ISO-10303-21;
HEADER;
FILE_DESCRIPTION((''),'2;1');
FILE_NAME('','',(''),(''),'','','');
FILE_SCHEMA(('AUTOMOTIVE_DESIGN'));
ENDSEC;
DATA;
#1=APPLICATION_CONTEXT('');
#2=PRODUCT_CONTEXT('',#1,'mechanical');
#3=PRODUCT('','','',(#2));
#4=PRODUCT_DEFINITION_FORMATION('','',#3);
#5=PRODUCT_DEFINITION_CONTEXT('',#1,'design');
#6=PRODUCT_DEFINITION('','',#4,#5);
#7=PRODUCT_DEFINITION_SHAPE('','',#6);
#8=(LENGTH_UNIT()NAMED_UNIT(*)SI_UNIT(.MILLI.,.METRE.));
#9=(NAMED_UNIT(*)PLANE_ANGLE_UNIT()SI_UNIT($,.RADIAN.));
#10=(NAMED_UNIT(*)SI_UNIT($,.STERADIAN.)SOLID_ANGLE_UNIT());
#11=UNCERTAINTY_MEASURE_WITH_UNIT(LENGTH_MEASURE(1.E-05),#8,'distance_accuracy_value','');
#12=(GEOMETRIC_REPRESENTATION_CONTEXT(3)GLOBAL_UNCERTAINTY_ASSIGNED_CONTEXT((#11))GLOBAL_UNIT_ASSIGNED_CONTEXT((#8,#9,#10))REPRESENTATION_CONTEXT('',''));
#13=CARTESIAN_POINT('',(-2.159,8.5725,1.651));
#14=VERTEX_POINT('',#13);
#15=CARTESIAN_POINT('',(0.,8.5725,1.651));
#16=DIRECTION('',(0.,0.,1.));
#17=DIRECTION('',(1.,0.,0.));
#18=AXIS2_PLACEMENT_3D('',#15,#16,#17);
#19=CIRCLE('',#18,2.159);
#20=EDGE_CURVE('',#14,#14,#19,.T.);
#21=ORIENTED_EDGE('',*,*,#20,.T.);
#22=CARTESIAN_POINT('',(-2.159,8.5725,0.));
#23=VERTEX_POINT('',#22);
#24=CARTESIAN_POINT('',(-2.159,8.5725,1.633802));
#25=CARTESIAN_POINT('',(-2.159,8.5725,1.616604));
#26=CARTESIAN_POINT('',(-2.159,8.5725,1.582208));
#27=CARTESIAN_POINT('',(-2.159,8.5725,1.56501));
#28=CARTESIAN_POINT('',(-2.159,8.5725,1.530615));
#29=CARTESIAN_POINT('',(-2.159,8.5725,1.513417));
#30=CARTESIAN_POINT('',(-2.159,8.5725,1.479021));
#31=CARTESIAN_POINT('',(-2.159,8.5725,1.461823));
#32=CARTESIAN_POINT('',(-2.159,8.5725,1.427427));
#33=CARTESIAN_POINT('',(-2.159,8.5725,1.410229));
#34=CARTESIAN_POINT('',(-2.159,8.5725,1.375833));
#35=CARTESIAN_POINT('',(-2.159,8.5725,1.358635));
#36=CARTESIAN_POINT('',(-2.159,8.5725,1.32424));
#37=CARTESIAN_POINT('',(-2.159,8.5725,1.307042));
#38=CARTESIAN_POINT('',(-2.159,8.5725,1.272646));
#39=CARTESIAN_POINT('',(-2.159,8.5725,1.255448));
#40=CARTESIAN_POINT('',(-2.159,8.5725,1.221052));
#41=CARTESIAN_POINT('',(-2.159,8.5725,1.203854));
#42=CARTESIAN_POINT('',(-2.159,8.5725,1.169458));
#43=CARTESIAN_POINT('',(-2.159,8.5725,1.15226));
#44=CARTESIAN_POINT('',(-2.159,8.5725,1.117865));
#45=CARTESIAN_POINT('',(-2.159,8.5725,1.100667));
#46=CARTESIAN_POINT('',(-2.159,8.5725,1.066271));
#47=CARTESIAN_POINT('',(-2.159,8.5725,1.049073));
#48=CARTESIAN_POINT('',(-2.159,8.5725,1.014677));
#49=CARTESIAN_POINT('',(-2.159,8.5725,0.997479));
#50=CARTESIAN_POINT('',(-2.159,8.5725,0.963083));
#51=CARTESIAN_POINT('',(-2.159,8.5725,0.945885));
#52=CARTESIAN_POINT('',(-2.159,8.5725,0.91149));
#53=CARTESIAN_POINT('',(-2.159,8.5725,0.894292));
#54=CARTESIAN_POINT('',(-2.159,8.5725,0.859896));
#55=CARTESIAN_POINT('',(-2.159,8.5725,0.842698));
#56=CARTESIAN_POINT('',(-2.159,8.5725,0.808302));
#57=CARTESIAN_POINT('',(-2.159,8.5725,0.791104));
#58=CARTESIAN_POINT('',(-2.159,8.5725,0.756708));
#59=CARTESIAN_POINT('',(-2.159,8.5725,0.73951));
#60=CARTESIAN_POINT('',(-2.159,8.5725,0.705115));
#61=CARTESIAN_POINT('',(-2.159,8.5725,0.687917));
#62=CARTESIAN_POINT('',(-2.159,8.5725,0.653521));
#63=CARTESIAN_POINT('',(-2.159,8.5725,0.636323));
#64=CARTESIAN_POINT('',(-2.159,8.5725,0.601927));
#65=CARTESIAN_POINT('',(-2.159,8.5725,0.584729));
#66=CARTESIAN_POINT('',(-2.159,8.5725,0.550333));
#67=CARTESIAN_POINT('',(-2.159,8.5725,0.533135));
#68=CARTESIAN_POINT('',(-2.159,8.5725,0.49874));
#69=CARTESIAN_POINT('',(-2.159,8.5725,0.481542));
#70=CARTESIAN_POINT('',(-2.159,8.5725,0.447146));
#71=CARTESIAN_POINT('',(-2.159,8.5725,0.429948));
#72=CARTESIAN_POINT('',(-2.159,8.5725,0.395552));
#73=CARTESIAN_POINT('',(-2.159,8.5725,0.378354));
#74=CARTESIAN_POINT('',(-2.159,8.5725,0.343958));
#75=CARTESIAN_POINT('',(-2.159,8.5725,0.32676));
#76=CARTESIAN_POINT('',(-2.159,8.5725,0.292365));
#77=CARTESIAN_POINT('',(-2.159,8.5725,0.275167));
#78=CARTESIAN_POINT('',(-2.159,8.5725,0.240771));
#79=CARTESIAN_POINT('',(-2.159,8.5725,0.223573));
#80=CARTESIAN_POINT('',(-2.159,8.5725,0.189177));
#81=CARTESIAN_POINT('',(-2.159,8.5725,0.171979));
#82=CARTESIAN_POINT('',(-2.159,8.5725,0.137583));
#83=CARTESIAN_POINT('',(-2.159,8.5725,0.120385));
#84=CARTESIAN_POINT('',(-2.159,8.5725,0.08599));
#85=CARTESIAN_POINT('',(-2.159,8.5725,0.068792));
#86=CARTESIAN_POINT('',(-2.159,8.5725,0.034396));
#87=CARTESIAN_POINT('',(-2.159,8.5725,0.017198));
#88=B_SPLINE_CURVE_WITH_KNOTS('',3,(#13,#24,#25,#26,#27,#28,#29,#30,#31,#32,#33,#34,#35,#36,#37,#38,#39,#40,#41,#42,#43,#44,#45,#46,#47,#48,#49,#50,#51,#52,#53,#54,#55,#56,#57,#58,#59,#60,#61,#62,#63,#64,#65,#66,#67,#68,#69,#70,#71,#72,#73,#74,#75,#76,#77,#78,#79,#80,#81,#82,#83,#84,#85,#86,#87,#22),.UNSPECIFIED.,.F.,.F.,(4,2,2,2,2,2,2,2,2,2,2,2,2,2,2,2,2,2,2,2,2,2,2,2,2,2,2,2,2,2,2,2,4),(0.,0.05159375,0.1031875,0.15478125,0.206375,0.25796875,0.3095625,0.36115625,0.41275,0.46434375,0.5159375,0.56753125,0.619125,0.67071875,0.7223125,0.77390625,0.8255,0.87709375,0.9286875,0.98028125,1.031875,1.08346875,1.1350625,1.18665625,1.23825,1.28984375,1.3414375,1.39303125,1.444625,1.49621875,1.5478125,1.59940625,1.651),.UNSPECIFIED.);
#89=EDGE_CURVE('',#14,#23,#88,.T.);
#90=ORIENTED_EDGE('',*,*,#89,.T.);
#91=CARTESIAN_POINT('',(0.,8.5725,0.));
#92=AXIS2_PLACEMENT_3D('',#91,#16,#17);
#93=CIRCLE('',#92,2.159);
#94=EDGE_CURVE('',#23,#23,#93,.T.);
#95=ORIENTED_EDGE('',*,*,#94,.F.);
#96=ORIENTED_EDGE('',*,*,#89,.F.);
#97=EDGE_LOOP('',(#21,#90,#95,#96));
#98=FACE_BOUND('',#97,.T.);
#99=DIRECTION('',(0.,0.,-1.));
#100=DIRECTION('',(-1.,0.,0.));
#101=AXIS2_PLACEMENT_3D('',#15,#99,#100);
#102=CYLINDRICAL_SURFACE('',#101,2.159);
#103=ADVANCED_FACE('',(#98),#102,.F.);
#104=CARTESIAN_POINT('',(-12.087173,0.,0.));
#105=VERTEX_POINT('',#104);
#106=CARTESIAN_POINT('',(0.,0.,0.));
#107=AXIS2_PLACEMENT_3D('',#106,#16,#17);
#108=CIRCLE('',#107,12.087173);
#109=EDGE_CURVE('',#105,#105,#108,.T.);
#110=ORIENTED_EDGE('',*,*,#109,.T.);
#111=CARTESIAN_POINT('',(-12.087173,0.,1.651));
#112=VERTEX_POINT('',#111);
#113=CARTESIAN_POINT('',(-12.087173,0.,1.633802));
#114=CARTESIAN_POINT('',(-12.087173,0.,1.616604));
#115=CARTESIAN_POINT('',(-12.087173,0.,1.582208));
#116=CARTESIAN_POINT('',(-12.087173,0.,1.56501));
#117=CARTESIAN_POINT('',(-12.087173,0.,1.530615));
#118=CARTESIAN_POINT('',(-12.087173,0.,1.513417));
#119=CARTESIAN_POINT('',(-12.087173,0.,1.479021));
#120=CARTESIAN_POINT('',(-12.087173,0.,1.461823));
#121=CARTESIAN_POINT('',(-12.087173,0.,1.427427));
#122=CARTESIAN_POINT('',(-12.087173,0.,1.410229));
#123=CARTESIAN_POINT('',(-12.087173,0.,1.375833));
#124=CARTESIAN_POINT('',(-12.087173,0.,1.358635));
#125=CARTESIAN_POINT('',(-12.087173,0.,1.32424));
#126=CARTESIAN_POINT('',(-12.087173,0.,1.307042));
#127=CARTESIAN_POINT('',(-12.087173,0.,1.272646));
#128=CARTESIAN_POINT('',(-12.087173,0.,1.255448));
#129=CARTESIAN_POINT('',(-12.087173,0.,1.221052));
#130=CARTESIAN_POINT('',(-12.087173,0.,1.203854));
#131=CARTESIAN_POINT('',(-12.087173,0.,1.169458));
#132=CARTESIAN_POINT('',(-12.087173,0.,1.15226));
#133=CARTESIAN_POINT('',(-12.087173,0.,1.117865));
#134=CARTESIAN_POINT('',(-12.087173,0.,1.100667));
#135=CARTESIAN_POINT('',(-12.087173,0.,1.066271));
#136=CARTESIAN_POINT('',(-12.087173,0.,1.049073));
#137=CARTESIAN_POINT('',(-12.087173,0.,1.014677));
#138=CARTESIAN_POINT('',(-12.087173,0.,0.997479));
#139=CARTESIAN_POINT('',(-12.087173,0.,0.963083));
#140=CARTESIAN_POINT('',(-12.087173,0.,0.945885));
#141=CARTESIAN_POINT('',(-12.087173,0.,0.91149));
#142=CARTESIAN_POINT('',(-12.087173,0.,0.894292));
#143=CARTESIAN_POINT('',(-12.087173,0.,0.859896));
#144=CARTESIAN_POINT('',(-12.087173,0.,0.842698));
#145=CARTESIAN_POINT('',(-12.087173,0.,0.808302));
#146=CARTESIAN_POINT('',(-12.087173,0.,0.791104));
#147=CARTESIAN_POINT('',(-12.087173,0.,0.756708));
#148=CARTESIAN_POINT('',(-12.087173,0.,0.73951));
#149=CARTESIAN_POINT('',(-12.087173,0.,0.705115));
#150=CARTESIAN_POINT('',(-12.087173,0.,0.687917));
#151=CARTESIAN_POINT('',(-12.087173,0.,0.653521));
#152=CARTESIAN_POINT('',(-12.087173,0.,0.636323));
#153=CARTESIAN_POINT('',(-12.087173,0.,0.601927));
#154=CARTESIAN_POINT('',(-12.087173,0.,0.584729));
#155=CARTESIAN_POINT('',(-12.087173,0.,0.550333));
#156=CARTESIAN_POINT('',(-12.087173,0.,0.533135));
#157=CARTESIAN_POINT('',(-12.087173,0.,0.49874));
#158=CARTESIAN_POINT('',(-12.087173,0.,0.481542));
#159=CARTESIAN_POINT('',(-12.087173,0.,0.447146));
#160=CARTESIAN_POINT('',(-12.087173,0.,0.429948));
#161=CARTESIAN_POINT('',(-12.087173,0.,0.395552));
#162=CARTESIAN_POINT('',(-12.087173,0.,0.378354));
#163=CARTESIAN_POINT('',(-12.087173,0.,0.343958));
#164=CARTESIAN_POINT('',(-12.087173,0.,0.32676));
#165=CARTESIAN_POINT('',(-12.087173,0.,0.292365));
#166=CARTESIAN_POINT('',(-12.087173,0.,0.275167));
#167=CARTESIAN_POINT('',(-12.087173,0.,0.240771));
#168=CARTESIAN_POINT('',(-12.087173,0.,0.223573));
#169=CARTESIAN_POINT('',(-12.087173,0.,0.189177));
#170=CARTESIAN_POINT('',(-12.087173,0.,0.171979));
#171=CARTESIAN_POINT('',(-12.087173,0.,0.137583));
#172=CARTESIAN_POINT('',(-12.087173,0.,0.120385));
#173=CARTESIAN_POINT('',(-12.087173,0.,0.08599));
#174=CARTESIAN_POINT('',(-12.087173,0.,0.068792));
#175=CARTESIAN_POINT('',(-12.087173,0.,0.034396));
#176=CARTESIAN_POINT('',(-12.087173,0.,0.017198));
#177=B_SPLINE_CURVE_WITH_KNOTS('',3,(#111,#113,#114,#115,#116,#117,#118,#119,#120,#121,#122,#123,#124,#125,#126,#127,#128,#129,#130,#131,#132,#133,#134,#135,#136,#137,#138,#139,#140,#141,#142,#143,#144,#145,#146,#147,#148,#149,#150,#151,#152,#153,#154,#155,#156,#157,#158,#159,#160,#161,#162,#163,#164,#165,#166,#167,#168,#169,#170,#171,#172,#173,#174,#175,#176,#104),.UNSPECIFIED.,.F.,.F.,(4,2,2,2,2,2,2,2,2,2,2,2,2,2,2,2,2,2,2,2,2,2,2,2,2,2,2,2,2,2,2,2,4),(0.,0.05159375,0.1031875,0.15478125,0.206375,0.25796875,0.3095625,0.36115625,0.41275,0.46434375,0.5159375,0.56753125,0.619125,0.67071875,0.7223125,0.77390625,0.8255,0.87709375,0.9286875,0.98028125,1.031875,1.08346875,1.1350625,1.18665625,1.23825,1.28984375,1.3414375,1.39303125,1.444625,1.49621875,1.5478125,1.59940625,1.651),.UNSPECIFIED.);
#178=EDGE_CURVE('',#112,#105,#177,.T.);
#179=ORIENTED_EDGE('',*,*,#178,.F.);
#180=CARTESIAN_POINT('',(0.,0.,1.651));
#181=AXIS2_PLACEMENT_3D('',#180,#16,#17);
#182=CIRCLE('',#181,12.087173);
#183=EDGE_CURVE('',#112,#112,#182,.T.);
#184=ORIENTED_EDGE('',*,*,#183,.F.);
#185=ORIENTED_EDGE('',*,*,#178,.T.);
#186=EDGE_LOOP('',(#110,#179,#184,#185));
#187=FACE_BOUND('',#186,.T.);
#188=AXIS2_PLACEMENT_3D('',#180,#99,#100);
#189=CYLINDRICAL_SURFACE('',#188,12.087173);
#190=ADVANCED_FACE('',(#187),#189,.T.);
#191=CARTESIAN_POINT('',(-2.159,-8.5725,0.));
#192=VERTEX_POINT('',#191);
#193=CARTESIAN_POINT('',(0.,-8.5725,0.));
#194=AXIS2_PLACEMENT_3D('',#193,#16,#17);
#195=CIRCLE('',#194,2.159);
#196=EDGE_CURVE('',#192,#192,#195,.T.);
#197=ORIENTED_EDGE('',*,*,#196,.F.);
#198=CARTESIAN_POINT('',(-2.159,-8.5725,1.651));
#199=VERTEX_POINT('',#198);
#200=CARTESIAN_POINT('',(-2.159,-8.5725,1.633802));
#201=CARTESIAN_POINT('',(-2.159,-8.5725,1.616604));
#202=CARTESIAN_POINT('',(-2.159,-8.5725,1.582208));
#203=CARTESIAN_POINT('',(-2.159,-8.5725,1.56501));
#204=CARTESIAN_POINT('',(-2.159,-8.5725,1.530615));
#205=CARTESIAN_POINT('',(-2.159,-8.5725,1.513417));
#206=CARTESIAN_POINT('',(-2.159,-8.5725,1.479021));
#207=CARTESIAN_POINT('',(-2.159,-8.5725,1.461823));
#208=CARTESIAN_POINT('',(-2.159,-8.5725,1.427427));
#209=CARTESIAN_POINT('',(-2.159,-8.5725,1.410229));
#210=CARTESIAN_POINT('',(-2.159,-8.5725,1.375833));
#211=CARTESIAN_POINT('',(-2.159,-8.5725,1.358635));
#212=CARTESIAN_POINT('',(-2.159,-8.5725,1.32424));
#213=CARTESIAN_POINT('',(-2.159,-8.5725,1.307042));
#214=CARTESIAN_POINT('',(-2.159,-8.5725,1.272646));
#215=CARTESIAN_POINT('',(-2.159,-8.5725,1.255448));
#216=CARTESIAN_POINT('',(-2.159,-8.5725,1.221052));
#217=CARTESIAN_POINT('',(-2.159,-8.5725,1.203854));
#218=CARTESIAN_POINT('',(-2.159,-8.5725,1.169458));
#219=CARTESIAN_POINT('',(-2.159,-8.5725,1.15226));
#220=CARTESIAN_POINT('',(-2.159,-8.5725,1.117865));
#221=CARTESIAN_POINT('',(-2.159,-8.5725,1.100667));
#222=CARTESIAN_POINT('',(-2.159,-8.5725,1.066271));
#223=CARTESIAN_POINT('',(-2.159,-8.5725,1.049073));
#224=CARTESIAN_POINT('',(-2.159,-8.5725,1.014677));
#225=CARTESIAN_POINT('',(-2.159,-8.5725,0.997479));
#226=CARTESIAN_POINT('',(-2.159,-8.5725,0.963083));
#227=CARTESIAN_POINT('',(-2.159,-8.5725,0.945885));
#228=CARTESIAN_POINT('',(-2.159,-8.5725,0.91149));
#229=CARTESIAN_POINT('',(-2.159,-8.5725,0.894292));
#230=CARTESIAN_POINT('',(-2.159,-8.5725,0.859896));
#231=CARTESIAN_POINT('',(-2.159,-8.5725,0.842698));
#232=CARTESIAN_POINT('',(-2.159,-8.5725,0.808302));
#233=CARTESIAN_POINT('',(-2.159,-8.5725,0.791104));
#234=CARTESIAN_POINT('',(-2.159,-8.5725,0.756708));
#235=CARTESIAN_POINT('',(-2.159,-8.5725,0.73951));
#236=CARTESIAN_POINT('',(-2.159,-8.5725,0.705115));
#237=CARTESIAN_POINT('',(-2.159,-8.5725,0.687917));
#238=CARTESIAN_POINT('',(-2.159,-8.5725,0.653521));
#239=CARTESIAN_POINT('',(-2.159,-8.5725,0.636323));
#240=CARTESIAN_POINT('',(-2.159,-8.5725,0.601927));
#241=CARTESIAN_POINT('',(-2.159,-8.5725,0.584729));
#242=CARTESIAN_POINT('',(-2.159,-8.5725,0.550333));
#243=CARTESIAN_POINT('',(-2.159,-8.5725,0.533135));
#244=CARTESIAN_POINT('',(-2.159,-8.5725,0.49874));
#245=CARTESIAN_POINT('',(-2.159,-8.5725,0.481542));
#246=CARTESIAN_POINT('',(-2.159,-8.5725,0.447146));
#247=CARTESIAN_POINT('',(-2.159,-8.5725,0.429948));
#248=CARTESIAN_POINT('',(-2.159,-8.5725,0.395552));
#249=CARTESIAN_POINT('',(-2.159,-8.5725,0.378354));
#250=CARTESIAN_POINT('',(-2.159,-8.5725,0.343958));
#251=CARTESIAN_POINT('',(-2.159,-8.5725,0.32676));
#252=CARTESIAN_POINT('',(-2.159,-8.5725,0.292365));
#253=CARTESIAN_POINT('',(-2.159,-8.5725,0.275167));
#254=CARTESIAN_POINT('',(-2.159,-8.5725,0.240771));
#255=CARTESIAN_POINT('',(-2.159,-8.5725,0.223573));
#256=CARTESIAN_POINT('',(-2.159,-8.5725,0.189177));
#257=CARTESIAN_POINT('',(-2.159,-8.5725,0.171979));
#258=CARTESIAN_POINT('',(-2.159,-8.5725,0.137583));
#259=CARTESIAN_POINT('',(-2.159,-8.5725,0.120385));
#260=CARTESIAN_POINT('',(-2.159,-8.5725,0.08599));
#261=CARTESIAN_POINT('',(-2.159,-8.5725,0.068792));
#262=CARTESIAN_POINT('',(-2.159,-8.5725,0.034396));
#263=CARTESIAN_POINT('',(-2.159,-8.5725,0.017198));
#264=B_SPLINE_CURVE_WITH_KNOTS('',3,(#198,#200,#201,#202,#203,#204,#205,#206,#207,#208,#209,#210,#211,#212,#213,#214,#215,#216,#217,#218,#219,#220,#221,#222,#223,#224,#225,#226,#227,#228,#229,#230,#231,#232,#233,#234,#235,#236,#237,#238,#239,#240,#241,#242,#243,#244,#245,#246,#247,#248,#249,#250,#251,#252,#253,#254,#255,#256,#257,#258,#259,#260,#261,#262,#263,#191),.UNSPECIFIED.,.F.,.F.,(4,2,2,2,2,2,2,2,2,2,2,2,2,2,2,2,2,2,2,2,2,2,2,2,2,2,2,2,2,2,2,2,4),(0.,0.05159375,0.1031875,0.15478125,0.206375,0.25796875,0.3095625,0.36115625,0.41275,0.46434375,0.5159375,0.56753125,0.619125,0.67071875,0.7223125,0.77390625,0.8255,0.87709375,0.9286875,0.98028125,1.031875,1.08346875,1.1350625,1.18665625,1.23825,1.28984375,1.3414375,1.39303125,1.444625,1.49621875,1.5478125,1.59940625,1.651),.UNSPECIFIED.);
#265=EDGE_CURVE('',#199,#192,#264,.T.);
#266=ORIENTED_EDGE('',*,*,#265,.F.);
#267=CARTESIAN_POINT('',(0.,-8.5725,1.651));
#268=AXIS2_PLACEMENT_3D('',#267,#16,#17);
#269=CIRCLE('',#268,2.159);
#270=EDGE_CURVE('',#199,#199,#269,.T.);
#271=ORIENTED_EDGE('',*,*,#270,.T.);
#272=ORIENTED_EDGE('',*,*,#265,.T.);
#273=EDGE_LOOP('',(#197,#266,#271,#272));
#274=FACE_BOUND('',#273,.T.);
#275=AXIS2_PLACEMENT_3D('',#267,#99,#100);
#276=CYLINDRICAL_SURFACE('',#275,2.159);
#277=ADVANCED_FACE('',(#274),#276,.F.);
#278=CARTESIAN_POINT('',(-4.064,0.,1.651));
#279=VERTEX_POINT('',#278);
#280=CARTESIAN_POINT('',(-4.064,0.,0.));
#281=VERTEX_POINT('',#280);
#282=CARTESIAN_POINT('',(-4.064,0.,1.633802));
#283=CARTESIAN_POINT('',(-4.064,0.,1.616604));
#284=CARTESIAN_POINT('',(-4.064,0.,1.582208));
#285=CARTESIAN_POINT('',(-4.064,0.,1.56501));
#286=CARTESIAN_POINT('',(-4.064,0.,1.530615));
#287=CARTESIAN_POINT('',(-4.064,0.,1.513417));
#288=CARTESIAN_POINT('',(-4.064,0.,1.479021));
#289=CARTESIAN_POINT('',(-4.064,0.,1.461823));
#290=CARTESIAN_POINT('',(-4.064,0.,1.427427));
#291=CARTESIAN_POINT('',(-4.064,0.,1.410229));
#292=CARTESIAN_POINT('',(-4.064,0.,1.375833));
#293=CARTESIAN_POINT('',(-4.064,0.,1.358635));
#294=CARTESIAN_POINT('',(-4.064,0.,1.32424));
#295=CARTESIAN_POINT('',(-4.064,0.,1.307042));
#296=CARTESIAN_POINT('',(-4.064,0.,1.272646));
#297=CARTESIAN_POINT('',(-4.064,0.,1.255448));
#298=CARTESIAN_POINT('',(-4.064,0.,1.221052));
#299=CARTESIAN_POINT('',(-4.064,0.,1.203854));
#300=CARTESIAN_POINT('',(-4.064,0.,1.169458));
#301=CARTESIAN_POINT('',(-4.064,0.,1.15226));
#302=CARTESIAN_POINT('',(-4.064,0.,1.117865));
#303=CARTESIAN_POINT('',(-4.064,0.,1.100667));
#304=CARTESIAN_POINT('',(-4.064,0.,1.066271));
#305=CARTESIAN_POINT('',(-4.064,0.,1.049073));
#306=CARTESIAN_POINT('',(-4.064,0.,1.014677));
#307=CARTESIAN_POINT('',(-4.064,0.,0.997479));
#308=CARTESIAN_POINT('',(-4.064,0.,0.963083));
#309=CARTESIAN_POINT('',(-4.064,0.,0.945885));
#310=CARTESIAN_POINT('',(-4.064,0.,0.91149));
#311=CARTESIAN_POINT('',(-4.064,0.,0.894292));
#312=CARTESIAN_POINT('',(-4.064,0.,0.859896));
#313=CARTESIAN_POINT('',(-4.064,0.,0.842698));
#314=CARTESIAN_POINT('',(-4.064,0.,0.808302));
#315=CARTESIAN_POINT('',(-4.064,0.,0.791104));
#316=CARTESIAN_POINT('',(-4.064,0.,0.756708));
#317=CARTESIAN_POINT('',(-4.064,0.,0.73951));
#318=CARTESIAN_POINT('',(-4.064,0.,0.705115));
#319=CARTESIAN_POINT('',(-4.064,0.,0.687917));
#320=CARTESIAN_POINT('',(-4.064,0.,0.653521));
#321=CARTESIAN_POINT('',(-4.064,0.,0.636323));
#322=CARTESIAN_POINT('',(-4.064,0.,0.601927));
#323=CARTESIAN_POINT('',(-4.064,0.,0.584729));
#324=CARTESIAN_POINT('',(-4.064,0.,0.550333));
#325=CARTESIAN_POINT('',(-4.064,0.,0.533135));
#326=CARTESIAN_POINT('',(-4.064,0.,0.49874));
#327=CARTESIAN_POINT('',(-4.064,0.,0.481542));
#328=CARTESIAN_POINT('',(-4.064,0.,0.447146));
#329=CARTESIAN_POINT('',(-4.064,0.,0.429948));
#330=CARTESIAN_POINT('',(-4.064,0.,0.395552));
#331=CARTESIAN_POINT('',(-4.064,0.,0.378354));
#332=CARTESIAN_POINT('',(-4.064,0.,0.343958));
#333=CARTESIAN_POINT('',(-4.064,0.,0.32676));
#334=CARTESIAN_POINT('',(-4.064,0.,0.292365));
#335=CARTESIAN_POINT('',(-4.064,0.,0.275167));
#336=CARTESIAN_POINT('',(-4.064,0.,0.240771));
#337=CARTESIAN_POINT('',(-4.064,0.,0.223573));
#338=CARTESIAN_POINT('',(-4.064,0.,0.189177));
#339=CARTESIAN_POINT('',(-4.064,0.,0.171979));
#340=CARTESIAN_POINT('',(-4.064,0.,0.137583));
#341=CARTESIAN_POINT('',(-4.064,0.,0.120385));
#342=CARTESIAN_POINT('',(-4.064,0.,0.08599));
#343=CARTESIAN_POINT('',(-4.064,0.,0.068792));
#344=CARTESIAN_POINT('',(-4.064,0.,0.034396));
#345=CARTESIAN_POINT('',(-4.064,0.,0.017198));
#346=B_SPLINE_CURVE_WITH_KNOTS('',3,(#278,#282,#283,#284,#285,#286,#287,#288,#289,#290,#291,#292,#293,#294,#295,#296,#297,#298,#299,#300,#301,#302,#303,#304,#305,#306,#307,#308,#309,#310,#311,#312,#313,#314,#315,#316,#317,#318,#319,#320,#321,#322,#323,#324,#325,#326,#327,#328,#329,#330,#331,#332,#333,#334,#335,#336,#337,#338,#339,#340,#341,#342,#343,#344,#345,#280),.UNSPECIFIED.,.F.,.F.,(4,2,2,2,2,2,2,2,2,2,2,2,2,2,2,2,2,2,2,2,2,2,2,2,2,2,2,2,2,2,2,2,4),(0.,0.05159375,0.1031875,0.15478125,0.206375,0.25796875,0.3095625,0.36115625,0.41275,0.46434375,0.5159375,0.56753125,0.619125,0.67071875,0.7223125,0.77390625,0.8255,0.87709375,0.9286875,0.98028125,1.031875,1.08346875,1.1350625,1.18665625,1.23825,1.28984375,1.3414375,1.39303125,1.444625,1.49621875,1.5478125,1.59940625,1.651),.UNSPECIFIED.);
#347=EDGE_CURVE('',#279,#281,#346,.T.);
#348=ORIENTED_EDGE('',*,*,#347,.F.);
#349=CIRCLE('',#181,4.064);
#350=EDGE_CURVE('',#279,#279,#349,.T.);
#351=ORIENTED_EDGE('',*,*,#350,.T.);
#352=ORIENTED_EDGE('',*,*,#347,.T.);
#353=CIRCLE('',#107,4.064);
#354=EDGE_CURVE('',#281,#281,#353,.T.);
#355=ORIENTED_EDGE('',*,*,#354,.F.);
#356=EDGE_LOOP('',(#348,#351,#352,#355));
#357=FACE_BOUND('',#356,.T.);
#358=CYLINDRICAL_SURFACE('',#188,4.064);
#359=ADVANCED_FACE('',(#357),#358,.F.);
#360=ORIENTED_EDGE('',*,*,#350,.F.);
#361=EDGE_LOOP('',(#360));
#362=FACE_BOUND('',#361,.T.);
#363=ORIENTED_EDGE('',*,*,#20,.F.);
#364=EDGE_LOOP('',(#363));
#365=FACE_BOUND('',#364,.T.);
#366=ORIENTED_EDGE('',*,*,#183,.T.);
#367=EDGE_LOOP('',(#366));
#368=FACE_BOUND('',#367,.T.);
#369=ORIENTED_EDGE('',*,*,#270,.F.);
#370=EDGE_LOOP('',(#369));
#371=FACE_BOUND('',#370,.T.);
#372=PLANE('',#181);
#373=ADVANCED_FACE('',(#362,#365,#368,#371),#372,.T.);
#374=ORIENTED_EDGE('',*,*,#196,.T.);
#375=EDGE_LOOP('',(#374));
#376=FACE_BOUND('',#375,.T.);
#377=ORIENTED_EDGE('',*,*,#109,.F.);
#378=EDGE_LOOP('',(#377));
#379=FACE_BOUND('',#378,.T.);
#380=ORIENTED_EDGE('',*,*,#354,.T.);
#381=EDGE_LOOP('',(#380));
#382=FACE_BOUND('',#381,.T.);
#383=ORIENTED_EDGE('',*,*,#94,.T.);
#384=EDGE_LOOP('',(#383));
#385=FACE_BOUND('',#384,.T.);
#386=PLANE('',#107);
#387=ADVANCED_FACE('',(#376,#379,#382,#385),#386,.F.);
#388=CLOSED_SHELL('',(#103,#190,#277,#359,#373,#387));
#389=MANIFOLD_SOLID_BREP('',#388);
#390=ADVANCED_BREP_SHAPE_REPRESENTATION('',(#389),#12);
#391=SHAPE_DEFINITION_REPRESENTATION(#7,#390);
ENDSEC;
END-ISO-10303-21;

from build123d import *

# Parameters (mm, degrees)
SKETCH1_R           = 12.087172939
SKETCH1_R_2         = 4.064
SKETCH1_R_3         = 2.159
BOSS_EXTRUDE1_DEPTH = 1.651


with BuildPart() as part:
    # Sketch1 → Boss-Extrude1 (new body)
    with BuildSketch(Plane.XY):
        with Locations(Location((0, 0, 0), (0, 0, 180))):
            Circle(SKETCH1_R)
        with Locations(Location((0, 0, 0), (0, 0, 180))):
            Circle(SKETCH1_R_2, mode=Mode.SUBTRACT)
        with Locations(Location((0, 8.5725, 0), (0, 0, 180))):
            Circle(SKETCH1_R_3, mode=Mode.SUBTRACT)
        with Locations(Location((0, -8.5725, 0), (0, 0, 180))):
            Circle(SKETCH1_R_3, mode=Mode.SUBTRACT)
    extrude(amount=BOSS_EXTRUDE1_DEPTH)


solid = part.part
